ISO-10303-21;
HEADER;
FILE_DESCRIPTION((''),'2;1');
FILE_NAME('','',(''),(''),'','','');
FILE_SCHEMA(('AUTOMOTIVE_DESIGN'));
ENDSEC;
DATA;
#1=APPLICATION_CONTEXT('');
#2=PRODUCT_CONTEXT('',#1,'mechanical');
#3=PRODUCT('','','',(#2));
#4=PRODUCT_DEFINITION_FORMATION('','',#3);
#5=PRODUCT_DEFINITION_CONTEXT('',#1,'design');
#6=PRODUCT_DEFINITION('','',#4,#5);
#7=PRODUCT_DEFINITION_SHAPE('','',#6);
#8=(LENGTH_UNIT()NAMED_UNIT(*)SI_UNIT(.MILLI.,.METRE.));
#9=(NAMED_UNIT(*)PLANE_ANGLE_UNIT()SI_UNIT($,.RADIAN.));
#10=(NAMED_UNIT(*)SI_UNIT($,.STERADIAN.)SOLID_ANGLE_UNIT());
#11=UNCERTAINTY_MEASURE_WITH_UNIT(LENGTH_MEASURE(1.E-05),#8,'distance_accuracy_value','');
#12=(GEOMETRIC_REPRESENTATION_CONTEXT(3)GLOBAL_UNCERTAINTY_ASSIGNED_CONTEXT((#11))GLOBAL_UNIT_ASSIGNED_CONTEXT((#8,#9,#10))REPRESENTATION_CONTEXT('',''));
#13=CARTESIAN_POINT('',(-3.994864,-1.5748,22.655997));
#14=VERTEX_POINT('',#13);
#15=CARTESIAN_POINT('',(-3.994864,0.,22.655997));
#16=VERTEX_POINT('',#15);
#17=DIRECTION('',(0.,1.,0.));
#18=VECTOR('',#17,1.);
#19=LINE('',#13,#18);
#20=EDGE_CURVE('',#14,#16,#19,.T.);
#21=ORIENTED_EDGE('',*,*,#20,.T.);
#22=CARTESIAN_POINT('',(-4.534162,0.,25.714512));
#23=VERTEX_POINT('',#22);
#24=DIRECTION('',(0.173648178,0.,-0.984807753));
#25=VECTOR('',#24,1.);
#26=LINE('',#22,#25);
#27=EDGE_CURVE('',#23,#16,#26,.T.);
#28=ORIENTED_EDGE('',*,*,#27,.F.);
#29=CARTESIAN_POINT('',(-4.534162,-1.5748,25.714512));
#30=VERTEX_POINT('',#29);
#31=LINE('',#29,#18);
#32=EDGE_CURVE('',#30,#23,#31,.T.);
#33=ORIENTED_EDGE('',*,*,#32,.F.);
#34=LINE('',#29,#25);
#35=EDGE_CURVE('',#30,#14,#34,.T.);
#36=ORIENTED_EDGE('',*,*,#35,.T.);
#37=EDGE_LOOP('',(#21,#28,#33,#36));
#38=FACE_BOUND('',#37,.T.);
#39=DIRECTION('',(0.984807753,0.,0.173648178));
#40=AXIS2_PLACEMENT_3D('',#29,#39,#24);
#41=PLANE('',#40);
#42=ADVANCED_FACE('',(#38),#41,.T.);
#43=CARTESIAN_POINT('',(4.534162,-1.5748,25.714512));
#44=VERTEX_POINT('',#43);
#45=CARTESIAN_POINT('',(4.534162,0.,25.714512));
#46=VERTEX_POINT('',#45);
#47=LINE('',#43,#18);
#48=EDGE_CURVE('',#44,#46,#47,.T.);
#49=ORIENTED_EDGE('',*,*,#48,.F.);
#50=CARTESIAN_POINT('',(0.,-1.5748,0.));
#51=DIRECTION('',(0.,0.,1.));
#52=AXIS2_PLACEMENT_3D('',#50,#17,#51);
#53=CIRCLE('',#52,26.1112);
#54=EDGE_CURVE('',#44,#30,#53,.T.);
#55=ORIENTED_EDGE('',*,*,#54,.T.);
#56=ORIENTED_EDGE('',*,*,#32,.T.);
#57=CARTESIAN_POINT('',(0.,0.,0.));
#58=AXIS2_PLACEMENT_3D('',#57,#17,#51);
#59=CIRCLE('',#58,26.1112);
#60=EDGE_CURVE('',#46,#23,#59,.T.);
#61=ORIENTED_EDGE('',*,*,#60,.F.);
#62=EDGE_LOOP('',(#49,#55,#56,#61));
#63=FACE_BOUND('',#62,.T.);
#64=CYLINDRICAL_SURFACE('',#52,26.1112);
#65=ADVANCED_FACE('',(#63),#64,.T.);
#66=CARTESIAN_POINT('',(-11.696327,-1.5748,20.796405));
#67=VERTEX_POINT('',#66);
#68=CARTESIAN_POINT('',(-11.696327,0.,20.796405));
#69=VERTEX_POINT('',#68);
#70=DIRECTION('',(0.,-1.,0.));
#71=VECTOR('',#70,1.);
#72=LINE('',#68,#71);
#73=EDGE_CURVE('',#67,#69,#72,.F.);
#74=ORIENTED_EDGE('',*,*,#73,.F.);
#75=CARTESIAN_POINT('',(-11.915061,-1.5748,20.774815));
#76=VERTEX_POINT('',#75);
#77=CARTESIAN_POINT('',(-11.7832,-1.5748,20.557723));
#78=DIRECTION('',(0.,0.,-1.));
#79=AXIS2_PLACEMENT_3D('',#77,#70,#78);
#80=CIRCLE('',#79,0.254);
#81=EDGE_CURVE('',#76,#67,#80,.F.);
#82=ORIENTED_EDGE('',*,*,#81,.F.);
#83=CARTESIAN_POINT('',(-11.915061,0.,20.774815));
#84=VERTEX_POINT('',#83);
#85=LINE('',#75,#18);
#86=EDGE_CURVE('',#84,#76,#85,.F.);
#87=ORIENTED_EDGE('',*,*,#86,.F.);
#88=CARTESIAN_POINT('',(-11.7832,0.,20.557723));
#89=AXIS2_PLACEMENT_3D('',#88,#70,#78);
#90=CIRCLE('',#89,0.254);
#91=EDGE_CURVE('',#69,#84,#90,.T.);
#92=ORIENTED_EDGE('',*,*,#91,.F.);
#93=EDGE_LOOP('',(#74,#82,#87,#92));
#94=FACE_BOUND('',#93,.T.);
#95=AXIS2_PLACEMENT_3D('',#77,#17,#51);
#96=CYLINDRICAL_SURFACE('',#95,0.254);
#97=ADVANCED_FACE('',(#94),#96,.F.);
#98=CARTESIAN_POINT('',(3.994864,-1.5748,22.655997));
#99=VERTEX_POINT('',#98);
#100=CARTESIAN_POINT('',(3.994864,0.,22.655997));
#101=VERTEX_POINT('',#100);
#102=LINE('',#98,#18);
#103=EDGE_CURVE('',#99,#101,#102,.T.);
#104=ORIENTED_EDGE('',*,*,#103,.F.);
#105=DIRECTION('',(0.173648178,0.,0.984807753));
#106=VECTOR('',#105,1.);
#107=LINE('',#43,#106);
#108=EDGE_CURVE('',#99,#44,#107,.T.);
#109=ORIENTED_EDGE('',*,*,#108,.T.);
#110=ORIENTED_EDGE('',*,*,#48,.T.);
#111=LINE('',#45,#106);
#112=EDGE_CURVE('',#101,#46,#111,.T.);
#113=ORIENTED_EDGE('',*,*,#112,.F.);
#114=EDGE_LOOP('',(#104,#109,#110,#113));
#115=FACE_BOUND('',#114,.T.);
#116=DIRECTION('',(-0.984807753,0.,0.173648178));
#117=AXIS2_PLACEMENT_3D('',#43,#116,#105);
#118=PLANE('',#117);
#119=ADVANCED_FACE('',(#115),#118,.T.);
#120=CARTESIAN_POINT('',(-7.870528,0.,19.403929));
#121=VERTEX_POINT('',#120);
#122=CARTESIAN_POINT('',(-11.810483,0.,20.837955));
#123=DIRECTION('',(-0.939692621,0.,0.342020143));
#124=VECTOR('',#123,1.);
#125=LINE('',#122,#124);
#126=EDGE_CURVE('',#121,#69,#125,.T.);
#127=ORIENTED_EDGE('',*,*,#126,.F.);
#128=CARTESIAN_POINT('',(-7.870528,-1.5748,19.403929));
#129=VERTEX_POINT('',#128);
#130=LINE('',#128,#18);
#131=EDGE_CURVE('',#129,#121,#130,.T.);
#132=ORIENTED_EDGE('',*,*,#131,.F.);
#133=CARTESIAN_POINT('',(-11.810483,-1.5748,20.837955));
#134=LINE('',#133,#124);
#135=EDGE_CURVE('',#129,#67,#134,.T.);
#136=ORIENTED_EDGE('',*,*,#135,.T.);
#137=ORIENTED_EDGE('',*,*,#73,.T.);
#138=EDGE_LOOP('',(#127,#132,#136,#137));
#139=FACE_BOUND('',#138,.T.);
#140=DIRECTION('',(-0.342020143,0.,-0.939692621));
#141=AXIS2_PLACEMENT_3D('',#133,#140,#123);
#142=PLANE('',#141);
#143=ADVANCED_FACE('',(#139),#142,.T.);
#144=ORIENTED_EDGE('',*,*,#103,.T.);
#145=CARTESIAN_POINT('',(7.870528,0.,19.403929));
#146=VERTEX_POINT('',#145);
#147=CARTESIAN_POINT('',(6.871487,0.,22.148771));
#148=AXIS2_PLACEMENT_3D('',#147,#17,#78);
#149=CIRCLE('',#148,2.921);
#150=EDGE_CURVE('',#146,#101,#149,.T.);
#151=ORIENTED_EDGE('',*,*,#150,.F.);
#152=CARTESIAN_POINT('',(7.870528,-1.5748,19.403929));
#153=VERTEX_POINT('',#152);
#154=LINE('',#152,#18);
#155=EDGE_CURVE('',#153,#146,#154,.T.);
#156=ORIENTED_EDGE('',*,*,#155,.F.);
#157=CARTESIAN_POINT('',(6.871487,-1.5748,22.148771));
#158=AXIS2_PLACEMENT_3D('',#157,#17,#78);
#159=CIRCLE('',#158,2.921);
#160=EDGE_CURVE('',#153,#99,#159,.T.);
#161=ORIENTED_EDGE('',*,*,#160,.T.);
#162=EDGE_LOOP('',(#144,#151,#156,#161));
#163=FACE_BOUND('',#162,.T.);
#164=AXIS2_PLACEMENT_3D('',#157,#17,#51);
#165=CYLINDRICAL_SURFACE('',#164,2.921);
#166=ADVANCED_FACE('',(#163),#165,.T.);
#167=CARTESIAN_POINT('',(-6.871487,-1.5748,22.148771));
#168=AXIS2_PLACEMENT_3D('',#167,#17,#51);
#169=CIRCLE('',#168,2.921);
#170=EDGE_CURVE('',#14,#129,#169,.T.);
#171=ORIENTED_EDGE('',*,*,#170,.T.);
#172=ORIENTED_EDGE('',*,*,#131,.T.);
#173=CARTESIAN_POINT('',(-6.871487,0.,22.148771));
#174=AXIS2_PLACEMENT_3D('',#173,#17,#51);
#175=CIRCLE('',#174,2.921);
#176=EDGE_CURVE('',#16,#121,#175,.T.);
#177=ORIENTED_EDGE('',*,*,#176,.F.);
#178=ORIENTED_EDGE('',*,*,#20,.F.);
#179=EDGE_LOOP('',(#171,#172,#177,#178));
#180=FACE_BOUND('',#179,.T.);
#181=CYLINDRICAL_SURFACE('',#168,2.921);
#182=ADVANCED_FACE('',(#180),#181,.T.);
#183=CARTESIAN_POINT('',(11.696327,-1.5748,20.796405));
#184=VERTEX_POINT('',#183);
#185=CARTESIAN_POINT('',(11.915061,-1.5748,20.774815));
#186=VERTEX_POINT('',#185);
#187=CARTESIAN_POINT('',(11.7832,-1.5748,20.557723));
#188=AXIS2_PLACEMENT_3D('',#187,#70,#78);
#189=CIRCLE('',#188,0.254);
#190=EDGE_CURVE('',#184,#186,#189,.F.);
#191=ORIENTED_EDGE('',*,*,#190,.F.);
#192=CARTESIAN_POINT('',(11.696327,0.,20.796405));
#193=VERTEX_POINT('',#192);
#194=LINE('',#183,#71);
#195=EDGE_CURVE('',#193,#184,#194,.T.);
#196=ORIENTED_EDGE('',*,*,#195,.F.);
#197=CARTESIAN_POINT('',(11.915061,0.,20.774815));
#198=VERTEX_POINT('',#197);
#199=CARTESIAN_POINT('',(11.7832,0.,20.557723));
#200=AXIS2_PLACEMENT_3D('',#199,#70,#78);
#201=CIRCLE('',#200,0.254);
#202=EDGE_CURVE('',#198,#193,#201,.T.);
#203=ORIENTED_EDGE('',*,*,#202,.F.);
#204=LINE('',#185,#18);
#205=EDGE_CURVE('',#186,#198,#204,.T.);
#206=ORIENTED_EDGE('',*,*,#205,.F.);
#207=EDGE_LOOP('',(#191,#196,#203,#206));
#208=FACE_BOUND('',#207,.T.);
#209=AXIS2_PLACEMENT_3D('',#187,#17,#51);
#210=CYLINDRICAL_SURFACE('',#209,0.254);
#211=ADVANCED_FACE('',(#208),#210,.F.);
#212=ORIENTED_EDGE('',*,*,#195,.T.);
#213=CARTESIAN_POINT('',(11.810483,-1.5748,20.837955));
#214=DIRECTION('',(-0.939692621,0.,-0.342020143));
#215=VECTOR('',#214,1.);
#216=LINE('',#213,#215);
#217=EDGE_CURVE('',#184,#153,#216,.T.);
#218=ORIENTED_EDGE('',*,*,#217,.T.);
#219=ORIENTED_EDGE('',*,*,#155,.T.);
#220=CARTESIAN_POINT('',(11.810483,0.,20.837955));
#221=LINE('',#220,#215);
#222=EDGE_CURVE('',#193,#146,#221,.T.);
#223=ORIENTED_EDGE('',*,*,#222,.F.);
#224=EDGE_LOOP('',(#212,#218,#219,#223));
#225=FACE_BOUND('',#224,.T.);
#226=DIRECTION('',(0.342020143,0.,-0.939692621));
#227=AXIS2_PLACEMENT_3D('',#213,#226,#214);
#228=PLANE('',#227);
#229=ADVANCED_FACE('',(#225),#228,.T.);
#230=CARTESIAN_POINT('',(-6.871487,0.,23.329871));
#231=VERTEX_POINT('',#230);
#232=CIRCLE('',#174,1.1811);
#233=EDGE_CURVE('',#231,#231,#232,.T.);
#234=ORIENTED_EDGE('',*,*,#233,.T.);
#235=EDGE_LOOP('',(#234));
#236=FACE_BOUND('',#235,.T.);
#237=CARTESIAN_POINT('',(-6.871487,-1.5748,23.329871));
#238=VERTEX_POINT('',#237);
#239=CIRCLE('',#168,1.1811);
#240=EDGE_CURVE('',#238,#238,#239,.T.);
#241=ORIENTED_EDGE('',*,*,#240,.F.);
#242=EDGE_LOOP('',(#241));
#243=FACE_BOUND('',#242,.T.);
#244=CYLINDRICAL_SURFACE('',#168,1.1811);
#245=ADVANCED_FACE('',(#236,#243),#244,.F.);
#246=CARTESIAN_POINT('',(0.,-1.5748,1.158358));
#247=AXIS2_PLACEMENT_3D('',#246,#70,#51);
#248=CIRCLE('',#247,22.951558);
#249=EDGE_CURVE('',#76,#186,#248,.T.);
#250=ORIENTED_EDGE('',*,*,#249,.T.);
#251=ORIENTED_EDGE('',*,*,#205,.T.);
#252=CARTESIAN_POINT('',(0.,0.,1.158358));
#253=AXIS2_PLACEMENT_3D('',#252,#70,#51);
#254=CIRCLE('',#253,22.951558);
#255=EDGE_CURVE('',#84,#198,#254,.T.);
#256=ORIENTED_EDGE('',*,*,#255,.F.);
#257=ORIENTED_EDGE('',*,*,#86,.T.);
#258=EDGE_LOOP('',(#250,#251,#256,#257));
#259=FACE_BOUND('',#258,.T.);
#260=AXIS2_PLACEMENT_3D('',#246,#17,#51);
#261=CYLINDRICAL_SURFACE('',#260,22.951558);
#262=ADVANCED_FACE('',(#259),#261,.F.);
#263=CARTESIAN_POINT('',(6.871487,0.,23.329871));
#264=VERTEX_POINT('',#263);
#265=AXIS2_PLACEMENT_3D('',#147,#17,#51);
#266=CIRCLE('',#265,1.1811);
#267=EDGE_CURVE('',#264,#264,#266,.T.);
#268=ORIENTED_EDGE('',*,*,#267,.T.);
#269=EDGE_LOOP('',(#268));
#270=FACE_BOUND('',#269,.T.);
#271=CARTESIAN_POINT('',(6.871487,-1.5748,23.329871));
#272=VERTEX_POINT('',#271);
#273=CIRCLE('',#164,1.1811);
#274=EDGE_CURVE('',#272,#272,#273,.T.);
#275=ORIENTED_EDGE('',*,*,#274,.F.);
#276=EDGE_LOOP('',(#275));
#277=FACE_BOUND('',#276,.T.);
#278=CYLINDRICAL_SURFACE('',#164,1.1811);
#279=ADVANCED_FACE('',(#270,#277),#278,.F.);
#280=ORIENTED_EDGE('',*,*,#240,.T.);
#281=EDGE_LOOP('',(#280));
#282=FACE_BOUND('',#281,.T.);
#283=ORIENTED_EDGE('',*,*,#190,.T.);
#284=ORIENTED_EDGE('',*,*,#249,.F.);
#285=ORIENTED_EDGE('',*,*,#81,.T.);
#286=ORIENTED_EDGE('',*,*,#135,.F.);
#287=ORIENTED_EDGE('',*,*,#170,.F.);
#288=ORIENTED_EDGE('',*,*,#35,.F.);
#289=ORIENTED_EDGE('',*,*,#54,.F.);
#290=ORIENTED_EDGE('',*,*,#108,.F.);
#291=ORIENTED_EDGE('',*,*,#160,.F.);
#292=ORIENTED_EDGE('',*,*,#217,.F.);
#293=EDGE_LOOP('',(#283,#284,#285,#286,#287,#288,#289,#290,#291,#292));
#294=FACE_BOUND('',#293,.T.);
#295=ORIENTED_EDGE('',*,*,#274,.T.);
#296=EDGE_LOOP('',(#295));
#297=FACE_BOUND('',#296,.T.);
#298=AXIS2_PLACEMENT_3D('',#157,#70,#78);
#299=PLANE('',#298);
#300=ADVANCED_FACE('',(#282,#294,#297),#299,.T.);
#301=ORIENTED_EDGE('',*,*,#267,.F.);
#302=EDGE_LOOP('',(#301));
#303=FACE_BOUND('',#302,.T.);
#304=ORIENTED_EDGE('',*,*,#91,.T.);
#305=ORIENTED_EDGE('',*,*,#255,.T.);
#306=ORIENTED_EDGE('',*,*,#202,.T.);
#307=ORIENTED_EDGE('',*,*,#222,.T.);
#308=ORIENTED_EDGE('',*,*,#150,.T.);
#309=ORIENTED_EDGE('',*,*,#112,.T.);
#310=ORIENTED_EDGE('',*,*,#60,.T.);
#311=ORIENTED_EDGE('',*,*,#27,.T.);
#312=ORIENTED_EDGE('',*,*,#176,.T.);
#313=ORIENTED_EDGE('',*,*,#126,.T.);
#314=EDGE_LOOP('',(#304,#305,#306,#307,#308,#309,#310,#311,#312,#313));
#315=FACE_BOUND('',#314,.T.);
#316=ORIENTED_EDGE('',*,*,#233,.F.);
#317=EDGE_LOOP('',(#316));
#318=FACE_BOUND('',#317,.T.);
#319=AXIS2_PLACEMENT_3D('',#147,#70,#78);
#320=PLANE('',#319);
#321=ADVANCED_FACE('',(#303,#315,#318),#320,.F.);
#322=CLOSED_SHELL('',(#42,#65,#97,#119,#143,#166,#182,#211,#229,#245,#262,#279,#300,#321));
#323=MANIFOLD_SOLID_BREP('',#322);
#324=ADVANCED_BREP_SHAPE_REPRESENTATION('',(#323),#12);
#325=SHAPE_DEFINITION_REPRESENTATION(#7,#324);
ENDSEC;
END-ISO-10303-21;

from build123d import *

# Parameters (mm, degrees)
SKETCH2_R      = 1.1811
EXTRUDE1_DEPTH = 1.5748
FILLET1_R      = 0.254


with BuildPart() as part:
    # Sketch2 → Extrude1 (new body)
    with BuildSketch(Plane(origin=(0, 0, 0), x_dir=(1, 0, 0), z_dir=(0, 1, 0))):
        with BuildLine():
            Line((4.534162297, -25.7145122), (3.994863547, -22.655997005))
            ThreePointArc((3.994863547, -22.655997005), (4.993904385, -19.91115486), (7.870527832, -19.403928533))
            Line((7.870527832, -19.403928533), (11.810483262, -20.837955033))
            ThreePointArc((11.810483262, -20.837955033), (0, 21.7932), (-11.810483262, -20.837955033))
            Line((-11.810483262, -20.837955033), (-7.870527832, -19.403928533))
            ThreePointArc((-7.870527832, -19.403928533), (-4.993904385, -19.91115486), (-3.994863547, -22.655997005))
            Line((-3.994863547, -22.655997005), (-4.534162297, -25.7145122))
            ThreePointArc((-4.534162297, -25.7145122), (0, 26.1112), (4.534162297, -25.7145122))
        make_face()
        with Locations((6.871486993, -22.148770678)):
            Circle(SKETCH2_R, mode=Mode.SUBTRACT)
        with Locations((-6.871486993, -22.148770678)):
            Circle(SKETCH2_R, mode=Mode.SUBTRACT)
    extrude(amount=-EXTRUDE1_DEPTH)

    # Fillet1
    fillet1_edges = [part.edges().sort_by_distance(p)[0] for p in [
        (11.810483262, -0.7874, 20.837955033),
        (-11.810483262, -0.7874, 20.837955033),
    ]]
    fillet(fillet1_edges, radius=FILLET1_R)


solid = part.part
